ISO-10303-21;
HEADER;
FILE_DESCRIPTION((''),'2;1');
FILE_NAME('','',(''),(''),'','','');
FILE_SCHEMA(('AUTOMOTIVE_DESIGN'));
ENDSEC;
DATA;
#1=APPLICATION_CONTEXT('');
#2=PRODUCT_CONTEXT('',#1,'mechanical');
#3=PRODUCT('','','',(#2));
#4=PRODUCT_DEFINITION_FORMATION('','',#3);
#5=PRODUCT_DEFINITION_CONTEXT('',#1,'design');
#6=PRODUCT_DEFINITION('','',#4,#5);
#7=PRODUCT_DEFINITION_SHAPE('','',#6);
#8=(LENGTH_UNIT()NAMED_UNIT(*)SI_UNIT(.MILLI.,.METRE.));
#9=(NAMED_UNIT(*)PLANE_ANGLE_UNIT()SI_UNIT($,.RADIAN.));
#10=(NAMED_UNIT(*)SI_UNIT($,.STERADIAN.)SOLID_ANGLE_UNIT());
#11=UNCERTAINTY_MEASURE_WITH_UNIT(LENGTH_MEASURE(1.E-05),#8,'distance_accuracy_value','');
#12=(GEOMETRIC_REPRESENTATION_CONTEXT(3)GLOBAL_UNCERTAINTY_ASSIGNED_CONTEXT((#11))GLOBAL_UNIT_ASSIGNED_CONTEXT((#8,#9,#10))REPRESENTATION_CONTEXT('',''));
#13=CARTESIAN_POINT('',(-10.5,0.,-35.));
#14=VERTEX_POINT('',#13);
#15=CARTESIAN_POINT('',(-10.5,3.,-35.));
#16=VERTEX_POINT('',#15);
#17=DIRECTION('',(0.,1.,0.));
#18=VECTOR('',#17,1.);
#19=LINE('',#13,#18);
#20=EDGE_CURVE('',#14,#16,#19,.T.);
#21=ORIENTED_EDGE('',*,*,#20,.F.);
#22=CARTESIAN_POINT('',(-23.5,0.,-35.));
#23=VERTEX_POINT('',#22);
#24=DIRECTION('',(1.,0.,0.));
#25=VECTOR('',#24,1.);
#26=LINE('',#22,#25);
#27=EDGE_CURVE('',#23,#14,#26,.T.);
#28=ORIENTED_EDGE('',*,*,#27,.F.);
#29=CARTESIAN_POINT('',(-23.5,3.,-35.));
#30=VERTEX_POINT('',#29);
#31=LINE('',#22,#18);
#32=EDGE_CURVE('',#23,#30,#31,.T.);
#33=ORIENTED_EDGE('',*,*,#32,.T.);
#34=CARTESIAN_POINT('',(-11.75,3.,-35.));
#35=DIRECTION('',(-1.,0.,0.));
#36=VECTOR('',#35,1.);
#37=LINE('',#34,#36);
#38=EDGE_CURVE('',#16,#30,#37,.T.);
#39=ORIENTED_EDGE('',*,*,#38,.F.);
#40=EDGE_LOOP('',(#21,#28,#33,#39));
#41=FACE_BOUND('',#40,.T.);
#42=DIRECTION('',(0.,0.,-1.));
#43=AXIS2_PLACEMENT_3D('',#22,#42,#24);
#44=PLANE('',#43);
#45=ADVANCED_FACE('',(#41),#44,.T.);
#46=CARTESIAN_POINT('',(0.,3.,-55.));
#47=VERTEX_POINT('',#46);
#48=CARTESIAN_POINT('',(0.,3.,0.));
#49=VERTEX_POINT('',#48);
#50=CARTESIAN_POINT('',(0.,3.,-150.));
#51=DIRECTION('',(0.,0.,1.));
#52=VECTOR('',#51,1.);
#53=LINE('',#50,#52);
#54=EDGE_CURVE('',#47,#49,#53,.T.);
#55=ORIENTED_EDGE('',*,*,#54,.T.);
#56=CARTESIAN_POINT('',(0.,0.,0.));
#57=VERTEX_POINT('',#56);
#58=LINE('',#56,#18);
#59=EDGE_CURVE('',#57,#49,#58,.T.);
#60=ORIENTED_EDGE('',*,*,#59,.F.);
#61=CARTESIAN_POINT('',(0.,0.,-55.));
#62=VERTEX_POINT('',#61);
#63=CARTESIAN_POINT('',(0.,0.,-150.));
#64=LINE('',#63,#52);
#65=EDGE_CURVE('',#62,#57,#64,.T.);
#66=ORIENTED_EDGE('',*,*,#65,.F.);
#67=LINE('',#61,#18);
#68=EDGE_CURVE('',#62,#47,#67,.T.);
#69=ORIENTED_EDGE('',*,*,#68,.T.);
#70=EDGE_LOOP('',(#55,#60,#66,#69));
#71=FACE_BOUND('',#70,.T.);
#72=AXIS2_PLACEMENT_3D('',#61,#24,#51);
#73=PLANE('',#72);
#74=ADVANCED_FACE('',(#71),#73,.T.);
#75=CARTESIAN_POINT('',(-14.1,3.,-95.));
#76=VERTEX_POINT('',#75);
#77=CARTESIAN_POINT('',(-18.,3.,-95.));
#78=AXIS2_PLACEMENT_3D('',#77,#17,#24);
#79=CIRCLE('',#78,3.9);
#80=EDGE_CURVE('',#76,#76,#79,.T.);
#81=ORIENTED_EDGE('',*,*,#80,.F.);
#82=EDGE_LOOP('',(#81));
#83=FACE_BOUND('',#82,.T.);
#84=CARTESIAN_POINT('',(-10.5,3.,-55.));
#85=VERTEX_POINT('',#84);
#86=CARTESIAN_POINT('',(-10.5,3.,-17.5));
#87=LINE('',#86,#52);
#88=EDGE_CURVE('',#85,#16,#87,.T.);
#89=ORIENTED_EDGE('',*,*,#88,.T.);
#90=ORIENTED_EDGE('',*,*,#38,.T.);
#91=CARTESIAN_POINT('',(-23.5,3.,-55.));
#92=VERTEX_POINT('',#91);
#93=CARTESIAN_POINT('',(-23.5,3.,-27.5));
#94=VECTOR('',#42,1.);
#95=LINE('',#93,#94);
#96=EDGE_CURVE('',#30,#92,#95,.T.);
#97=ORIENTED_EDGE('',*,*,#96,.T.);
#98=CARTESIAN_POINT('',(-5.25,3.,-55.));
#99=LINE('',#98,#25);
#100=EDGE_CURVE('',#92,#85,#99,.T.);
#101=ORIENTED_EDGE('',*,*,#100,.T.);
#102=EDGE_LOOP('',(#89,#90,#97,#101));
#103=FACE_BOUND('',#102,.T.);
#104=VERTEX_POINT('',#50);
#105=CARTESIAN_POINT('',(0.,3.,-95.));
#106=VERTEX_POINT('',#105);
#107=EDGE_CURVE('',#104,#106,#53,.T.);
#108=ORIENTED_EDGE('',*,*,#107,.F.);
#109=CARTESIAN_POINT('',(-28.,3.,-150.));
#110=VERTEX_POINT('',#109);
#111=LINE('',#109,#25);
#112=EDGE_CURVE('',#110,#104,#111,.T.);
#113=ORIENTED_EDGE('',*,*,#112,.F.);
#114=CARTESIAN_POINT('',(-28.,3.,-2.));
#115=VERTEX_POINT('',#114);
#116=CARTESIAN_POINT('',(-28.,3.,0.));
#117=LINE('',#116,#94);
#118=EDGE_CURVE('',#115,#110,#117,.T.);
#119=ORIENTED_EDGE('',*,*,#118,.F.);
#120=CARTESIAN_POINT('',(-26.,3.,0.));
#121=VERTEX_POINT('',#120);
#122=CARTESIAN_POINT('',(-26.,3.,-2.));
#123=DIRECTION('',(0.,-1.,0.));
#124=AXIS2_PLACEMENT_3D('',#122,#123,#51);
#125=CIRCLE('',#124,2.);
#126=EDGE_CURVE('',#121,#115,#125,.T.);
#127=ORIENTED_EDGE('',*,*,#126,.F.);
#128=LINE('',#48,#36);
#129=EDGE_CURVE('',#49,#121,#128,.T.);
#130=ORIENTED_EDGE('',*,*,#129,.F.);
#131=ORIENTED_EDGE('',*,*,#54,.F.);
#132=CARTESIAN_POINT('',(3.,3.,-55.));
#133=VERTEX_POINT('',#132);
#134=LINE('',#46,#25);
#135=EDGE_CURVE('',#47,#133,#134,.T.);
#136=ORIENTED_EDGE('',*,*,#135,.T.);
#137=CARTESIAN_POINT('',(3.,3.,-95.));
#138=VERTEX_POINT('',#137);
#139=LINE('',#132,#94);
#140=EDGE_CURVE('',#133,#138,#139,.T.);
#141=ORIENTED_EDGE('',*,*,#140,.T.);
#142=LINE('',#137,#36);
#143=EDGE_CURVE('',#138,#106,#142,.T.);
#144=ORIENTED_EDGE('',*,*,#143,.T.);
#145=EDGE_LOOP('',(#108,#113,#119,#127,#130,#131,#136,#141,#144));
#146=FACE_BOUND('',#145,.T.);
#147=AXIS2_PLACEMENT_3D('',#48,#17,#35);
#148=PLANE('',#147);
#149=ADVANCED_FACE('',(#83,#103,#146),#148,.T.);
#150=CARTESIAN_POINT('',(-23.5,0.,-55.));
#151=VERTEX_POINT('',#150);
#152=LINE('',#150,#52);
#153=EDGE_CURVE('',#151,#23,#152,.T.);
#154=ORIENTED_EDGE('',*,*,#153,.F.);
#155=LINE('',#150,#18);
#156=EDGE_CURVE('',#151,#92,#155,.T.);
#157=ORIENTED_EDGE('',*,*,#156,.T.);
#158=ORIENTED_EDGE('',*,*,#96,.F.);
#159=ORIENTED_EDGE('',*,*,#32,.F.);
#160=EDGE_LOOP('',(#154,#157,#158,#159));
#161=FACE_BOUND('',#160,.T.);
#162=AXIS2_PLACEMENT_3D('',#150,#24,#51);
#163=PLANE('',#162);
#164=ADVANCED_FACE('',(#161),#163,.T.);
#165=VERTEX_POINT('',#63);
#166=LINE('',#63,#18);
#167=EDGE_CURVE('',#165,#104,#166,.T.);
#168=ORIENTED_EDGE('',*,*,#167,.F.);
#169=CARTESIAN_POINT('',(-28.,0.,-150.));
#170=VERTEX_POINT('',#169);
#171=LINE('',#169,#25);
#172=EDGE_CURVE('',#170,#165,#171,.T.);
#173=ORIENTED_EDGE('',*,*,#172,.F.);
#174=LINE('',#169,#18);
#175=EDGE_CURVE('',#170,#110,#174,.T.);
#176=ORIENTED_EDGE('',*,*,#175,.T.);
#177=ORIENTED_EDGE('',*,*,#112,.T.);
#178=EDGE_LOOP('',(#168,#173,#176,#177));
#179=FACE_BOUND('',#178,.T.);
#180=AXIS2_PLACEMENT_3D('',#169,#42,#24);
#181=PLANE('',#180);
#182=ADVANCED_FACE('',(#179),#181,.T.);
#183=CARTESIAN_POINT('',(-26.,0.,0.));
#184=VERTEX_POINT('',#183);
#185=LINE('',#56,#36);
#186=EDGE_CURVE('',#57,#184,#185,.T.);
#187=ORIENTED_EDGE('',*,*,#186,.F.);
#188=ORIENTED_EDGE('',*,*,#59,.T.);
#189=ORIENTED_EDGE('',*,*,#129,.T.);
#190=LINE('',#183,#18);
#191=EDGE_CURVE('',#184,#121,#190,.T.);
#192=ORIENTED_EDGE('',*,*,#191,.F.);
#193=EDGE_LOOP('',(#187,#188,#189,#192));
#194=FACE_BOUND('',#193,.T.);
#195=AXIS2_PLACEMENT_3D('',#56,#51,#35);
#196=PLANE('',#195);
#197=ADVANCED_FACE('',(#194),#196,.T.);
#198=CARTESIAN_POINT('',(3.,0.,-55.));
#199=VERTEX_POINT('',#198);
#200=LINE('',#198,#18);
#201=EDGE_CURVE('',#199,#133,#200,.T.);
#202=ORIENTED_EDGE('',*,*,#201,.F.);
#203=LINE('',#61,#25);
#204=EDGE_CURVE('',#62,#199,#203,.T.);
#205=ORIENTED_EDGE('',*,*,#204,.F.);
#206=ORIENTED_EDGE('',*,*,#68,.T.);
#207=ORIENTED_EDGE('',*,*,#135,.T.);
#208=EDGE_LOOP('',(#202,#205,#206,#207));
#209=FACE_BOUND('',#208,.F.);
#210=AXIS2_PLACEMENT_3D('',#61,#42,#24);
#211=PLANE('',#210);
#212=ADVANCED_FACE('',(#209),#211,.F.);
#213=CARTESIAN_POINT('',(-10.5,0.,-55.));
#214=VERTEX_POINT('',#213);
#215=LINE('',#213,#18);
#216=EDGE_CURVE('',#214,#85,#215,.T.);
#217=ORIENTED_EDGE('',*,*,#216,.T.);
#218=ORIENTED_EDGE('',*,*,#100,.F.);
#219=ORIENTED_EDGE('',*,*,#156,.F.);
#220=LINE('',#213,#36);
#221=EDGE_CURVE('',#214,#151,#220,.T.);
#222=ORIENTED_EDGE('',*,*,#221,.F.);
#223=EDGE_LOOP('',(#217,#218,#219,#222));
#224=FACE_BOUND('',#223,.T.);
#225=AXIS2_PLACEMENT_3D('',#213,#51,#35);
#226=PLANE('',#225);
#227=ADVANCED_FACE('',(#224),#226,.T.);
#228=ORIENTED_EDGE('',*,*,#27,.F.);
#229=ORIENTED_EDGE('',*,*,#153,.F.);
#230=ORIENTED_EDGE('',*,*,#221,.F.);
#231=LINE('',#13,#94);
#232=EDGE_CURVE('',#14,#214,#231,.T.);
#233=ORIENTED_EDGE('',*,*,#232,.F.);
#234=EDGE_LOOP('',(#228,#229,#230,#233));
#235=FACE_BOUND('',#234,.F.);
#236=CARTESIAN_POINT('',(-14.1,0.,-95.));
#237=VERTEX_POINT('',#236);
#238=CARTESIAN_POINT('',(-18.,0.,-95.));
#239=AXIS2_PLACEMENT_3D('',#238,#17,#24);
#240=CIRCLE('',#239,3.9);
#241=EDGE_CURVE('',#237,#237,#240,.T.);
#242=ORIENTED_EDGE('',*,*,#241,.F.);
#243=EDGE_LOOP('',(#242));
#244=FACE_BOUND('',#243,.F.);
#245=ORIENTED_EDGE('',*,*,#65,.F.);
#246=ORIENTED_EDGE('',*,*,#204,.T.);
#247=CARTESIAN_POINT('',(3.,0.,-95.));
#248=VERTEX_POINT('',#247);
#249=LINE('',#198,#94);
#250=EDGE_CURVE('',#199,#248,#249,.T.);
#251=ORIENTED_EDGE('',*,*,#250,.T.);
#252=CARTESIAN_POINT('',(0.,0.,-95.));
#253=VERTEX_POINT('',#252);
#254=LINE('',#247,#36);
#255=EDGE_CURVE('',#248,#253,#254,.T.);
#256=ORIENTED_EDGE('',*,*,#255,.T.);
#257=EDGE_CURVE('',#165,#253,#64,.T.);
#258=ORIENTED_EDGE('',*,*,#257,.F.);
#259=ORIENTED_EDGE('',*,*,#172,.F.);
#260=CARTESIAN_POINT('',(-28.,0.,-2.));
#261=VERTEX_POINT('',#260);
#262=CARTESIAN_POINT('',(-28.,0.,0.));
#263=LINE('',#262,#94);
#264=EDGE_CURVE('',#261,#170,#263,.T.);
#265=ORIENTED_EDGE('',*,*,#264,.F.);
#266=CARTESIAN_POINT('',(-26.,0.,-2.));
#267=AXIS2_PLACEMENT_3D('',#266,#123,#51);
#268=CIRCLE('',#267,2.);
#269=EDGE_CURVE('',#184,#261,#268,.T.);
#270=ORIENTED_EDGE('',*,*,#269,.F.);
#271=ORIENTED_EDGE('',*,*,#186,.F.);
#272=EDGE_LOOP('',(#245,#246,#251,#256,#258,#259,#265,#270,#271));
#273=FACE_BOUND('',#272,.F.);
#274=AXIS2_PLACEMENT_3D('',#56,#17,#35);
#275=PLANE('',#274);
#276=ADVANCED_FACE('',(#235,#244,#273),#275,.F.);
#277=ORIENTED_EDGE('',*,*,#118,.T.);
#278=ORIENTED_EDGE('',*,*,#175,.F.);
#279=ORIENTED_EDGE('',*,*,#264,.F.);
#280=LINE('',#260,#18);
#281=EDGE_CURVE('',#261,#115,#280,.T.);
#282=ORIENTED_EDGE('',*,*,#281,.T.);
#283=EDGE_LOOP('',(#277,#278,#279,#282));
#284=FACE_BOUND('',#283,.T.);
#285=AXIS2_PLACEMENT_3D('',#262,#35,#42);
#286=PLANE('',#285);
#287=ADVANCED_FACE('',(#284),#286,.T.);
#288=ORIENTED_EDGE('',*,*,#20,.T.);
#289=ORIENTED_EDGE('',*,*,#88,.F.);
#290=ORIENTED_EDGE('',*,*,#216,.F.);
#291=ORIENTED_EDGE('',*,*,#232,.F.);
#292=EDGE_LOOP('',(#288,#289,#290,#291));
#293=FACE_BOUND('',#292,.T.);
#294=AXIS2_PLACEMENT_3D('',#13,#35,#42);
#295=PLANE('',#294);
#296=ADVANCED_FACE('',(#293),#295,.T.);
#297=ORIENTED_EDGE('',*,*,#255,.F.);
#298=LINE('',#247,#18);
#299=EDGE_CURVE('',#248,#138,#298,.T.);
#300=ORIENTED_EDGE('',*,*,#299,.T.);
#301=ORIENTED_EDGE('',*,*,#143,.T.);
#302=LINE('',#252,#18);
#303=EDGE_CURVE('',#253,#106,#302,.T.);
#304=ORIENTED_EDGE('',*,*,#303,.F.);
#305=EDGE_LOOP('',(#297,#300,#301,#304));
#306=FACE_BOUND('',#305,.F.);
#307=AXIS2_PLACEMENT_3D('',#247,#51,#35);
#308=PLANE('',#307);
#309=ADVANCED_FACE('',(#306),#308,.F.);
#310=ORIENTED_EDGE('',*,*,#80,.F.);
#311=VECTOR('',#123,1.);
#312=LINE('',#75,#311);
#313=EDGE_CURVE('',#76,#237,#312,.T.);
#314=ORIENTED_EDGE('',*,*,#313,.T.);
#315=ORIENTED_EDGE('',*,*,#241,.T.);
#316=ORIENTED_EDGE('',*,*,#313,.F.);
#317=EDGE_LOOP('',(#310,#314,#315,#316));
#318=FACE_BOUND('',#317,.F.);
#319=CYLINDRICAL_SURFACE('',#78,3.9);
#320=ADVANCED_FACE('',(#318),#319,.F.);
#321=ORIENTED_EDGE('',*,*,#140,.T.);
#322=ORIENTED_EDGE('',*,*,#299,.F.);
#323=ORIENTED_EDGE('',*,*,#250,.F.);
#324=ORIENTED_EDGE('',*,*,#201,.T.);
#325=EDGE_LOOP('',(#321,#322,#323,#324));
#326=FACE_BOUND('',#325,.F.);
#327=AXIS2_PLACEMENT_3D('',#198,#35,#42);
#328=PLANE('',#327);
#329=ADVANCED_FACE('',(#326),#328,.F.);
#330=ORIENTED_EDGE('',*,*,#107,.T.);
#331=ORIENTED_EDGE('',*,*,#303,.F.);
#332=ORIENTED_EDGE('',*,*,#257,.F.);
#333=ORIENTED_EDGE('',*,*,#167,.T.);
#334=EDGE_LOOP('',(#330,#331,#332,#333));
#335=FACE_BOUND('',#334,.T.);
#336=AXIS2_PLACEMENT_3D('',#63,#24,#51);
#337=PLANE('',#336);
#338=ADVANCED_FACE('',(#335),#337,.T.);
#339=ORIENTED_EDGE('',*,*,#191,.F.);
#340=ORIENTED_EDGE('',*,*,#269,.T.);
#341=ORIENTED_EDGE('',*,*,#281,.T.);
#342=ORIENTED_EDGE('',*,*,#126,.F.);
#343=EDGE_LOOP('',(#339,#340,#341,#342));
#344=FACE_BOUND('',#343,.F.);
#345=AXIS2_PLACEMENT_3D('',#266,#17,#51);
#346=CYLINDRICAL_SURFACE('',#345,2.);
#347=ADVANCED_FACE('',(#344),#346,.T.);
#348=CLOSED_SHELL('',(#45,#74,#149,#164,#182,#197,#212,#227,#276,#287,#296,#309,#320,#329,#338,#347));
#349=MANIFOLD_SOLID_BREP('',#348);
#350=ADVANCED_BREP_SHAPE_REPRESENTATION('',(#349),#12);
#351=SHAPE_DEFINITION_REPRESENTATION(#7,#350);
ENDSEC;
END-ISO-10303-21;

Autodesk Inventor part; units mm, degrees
ref_plane "YZ Plane" through (0, 0, 0) normal (1, 0, 0) x (0, 1, 0)
ref_plane "XZ Plane" through (0, 0, 0) normal (0, 1, 0) x (-1, 0, 0)
ref_plane "XY Plane" through (0, 0, 0) normal (0, 0, 1) x (1, 0, 0)
sketch "Sketch1" plane through (0, 0, 0) normal (0, 1, 0) x (-1, 0, 0)
  line L0 (0, 0) -> (28, 0)
  line L1 (28, 0) -> (28, -150)
  line L2 (28, -150) -> (0, -150)
  line L3 (0, -150) -> (0, 0)
  line L4 (0, -55) -> (-3, -55)
  line L5 (-3, -55) -> (-3, -95)
  line L6 (-3, -95) -> (0, -95)
  line L7 (0, -95) -> (0, -55)
  line L8 (28, -75) -> (0, -75) construction
  line L9 (-3, -75) -> (0, -75) construction
  point P0 (0, -95)
  dimension "d0" = 150
  dimension "d1" = 3
  dimension "d2" = 40
  dimension "d3" = 28
extrude "Extrusion1" add sketch "Sketch1" along normal blind 3
sketch "Sketch3" plane through (0, 3, 0) normal (0, 1, 0) x (1, 0, 0)
  circle A0 centre (-18, 95) radius 3.9
  line L0 (-28, 150) -> (-28, 0) projected
  line L1 (0, 95) -> (0, 150) projected
  line L2 (-28, 0) -> (0, 0) projected
  line L3 (0, 150) -> (-28, 150) projected
  dimension "d18" = 7.8
  dimension "d20" = 18
  dimension "d24" = 55
extrude "Extrusion3" cut sketch "Sketch3" against normal blind 3
sketch "Sketch4" plane through (0, 0, 0) normal (0, -1, 0) x (1, 0, 0)
  line L0 (-10.5, -55) -> (-23.5, -55)
  line L1 (-23.5, -55) -> (-23.5, -35)
  line L2 (-23.5, -35) -> (-10.5, -35)
  line L3 (-10.5, -35) -> (-10.5, -55)
  line L4 (-10.5, -55) -> (-23.5, -35) construction
  line L5 (-23.5, -55) -> (-10.5, -35) construction
  line L6 (-28, 0) -> (0, 0) projected
  point P0 (-17, -45)
  dimension "d25" = 20
  dimension "d26" = 13
  dimension "d27" = 45
extrude "Extrusion4" cut sketch "Sketch4" against normal blind 10
fillet "Fillet1" radius 2 1 edges at (-28, 1.5, 0)
properties part number "Lateral BNC"
